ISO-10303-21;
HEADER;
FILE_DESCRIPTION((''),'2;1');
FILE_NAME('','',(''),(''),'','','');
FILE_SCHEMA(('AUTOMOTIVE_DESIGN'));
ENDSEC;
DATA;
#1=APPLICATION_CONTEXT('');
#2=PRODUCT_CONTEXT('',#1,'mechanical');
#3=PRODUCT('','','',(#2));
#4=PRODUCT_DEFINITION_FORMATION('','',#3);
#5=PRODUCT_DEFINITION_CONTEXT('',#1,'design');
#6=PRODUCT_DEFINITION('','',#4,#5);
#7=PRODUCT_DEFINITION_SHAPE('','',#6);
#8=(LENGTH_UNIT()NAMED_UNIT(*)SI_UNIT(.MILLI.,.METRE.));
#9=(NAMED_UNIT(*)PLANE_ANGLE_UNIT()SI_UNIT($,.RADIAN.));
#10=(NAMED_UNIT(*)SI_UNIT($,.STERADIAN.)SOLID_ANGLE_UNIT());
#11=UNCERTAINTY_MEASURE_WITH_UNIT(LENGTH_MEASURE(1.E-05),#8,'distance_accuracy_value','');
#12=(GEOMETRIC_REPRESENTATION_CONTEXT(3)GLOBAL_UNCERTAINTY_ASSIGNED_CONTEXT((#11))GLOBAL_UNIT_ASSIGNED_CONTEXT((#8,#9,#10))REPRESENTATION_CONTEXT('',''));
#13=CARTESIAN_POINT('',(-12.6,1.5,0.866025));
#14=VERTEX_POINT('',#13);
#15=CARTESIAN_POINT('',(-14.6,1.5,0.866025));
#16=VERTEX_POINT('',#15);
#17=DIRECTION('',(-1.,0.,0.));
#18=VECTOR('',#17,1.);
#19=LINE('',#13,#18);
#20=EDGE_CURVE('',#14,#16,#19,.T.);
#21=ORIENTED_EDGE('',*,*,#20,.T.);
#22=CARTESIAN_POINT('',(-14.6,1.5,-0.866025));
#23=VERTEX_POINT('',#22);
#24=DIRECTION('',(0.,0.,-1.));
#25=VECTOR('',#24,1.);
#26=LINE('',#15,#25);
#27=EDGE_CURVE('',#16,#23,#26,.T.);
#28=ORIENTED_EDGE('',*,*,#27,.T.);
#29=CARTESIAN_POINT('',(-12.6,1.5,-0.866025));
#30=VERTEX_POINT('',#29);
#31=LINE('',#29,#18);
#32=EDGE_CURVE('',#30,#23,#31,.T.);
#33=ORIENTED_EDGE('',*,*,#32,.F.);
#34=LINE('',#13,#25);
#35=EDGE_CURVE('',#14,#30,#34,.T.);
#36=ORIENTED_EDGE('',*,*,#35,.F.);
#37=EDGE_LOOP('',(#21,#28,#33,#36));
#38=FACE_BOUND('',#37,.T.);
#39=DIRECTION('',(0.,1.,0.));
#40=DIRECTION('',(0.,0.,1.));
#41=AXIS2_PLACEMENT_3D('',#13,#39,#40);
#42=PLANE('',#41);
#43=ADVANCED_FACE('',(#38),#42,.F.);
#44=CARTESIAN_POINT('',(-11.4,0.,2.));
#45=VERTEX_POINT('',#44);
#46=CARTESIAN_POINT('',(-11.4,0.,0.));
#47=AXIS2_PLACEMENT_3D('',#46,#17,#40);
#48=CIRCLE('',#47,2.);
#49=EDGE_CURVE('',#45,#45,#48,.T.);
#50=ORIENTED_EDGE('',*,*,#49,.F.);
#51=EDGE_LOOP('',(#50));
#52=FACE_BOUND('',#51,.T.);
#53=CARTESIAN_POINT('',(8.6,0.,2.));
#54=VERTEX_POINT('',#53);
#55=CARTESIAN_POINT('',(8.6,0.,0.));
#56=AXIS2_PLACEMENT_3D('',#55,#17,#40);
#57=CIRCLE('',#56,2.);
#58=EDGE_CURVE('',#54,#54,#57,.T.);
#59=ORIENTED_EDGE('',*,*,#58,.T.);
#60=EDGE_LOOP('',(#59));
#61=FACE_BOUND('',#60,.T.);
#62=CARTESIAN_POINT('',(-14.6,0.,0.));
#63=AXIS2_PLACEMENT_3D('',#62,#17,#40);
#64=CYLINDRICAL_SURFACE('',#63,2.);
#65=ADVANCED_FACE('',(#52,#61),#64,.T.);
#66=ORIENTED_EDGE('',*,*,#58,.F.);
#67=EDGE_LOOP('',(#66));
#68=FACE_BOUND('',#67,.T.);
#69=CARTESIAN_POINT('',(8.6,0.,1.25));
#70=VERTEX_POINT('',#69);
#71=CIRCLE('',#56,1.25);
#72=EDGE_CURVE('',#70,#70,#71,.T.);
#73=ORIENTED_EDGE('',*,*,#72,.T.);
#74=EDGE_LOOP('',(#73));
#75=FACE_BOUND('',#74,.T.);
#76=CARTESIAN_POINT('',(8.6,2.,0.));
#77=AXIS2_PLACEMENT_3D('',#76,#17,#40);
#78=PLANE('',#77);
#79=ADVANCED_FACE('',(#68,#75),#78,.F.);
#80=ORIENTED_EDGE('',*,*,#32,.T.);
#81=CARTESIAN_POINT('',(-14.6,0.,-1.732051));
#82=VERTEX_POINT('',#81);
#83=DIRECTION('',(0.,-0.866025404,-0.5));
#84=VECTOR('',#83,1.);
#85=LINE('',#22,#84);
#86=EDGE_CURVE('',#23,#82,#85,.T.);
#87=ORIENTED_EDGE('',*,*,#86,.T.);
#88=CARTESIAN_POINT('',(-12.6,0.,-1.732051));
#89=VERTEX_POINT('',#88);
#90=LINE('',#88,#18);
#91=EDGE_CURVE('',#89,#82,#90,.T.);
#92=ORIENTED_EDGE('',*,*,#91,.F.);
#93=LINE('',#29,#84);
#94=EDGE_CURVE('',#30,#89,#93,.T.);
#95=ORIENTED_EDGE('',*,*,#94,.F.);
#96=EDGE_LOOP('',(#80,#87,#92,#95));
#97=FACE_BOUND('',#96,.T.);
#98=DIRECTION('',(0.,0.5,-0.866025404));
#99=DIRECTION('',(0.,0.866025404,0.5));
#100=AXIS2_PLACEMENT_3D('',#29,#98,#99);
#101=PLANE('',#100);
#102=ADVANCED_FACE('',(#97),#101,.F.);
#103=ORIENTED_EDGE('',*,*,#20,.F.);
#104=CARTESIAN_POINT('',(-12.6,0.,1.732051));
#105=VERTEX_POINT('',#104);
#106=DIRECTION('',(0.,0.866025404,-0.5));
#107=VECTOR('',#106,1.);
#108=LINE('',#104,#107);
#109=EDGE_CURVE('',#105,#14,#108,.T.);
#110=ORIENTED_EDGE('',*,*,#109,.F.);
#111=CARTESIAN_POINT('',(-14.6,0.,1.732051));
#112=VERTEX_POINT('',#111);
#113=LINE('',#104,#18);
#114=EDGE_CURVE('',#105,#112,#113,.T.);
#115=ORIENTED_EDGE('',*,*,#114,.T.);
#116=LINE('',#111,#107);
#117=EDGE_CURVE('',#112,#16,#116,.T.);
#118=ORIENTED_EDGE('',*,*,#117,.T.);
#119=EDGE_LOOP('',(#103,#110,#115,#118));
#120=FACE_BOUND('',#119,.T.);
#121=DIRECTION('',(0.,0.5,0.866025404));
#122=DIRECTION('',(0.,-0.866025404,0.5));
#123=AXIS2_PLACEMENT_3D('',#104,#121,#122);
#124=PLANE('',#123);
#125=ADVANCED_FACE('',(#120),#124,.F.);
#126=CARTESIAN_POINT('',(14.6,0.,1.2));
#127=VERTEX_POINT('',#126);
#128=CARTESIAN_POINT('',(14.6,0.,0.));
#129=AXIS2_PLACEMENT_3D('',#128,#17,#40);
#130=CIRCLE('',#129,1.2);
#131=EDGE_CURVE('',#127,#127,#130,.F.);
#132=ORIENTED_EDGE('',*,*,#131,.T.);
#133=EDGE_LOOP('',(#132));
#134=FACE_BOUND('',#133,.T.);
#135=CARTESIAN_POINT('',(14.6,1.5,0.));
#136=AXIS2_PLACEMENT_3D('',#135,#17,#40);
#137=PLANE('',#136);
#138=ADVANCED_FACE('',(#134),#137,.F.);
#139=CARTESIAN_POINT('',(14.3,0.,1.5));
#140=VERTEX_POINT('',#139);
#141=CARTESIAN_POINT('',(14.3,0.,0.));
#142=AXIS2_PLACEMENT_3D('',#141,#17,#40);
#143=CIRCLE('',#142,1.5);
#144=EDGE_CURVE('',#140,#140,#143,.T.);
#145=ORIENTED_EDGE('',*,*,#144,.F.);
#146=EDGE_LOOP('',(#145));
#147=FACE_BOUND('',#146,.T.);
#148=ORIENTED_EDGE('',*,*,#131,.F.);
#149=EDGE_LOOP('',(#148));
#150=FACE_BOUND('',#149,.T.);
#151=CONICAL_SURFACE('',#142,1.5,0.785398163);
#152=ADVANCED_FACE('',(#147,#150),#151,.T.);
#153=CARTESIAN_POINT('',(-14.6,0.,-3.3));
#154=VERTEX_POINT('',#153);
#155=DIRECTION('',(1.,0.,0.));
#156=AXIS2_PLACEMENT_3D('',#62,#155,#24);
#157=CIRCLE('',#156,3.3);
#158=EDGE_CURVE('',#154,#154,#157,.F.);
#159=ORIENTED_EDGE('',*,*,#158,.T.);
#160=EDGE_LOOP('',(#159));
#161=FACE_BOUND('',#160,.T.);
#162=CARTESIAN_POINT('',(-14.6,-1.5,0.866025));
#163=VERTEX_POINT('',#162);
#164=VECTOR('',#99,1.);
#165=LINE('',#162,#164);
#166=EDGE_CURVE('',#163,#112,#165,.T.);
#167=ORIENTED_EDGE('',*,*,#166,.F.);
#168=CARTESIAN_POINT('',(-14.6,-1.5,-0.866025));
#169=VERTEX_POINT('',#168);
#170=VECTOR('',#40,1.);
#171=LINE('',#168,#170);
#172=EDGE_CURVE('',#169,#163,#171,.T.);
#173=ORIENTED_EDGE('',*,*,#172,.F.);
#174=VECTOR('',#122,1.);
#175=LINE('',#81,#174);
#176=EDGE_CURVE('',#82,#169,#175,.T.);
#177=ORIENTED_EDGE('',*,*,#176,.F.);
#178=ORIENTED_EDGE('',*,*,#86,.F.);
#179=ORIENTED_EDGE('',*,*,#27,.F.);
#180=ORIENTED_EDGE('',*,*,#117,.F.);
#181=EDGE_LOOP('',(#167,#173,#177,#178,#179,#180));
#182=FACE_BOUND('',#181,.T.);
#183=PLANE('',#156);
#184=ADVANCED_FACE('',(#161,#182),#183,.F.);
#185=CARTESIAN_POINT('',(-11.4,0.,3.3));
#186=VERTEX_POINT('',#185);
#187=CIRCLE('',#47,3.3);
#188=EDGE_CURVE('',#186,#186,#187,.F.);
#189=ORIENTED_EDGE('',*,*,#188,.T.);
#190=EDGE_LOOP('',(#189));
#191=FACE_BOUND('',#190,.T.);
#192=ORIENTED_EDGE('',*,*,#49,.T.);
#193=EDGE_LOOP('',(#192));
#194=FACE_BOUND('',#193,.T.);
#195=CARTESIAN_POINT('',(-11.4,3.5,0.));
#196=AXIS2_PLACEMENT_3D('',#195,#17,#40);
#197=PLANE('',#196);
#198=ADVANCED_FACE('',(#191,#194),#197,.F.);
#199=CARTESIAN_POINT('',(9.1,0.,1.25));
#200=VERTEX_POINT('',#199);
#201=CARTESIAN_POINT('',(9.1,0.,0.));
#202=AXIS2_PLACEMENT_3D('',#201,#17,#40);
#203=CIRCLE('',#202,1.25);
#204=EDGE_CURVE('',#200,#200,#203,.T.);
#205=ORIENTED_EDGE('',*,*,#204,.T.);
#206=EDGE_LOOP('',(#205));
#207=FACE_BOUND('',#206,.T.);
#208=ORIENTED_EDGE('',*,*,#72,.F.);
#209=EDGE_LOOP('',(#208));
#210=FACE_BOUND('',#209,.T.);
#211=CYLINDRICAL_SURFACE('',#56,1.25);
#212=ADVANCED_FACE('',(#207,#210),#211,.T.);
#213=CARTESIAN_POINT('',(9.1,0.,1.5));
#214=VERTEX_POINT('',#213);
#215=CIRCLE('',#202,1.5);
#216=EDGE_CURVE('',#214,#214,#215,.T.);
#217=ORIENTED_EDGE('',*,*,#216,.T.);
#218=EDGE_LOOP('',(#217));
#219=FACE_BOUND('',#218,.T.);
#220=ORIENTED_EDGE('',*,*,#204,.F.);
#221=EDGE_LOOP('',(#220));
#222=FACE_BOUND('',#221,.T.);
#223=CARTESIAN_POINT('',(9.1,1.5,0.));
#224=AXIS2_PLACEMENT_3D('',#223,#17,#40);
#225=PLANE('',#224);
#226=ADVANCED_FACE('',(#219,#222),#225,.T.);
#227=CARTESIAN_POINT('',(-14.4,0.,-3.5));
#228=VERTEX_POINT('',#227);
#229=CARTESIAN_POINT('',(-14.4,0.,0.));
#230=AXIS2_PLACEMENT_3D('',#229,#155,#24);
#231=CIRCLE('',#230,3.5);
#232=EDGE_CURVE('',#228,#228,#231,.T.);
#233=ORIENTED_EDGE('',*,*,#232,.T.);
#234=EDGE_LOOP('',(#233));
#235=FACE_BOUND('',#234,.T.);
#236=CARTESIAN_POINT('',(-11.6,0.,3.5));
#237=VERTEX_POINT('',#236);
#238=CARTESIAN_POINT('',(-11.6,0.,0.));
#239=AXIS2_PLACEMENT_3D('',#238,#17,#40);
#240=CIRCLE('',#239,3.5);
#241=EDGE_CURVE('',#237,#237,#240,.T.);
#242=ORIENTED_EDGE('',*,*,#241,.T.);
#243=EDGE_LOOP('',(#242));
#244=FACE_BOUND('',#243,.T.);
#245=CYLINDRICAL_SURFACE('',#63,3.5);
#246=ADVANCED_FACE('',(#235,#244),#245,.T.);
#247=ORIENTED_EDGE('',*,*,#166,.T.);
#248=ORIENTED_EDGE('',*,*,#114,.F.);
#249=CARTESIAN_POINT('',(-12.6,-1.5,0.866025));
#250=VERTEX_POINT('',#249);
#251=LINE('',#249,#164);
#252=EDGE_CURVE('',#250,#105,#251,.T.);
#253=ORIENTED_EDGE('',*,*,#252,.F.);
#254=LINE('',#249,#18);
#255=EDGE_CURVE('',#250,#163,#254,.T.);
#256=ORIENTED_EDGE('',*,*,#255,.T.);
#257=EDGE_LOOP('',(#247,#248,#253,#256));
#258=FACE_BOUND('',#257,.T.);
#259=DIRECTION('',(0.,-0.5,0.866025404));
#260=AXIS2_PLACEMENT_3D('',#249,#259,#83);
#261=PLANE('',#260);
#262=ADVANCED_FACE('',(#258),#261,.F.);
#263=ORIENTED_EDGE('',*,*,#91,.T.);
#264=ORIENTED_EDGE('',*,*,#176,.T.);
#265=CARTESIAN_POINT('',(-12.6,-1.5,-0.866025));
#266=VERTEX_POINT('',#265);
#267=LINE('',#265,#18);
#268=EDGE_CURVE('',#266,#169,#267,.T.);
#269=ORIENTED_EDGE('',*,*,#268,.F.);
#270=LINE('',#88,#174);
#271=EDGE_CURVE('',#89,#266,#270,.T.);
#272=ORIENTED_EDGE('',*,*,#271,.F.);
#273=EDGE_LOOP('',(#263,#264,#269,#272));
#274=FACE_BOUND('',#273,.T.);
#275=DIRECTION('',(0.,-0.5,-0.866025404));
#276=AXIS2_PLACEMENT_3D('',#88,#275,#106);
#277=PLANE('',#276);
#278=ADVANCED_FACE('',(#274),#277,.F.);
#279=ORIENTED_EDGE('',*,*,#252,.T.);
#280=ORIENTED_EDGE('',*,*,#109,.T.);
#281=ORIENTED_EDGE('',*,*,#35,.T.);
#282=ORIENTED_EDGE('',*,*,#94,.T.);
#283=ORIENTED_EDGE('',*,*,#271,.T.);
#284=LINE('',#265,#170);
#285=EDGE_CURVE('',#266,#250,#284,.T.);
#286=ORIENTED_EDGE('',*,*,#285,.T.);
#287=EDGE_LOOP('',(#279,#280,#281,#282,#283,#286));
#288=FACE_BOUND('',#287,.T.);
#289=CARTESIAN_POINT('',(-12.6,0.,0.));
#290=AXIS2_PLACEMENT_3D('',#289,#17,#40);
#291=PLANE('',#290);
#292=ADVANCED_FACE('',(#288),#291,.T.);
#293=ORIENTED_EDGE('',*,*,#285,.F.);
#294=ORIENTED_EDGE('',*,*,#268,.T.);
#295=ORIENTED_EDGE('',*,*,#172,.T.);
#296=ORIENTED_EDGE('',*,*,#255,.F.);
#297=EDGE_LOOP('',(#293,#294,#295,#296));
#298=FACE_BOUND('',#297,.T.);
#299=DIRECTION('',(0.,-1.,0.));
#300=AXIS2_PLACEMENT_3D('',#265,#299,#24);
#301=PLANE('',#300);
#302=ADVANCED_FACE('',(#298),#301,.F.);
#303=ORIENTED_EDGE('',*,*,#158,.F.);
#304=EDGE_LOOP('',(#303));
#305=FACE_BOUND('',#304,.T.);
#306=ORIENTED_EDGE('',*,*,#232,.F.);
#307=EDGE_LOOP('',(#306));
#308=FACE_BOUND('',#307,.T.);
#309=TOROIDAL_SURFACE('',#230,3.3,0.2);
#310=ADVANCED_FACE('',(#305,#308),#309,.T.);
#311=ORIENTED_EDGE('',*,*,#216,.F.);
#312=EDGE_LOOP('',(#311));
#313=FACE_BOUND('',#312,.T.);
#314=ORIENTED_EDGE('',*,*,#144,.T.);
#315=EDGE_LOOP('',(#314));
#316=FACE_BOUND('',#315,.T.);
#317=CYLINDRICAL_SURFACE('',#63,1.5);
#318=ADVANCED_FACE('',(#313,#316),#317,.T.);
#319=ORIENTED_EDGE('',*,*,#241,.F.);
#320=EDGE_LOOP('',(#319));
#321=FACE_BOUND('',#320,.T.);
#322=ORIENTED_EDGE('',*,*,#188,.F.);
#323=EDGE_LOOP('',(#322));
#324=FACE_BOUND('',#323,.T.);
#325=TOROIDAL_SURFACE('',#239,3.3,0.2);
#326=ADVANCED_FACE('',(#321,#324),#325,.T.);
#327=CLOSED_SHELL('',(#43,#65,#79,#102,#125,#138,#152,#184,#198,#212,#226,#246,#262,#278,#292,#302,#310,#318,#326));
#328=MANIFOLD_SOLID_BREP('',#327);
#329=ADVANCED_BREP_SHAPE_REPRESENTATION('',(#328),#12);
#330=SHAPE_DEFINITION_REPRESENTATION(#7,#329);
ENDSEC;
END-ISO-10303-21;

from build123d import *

# Parameters (mm, degrees)
FILLET_1_R          = 0.2
CHAMFER_1_SIZE      = 0.3
SKETCH_3_W          = 0.5
SKETCH_3_H          = 0.25
CUT_EXTRUDE_1_DEPTH = 2


with BuildPart() as part:
    # 草图1 → 旋转1 (revolve)
    with BuildSketch(Plane.XY, mode=Mode.PRIVATE) as revolve_1_sk:
        Polygon((-14.6, 0), (-14.6, 3.5), (-11.4, 3.5), (-11.4, 2), (8.6, 2), (8.6, 1.5), (14.6, 1.5), (14.6, 0), align=None)
    revolve(revolve_1_sk.sketch.rotate(Axis((-14.6, 0, 0), (1, 0, 0)), 90), axis=Axis((-14.6, 0, 0), (1, 0, 0)))

    # 圆角1
    fillet_1_edges = [part.edges().sort_by_distance(p)[0] for p in [
        (-11.4, 0, -3.5),
        (-14.6, 0, -3.5),
    ]]
    fillet(fillet_1_edges, radius=FILLET_1_R)

    # 倒角1
    chamfer_1_edges = [part.edges().sort_by_distance(p)[0] for p in [
        (14.6, 0, -1.5),
    ]]
    chamfer(chamfer_1_edges, length=CHAMFER_1_SIZE)

    # 草图3 → 切除-旋转1 (revolve, cut)
    with BuildSketch(Plane.XY, mode=Mode.PRIVATE) as cut_revolve_1_sk:
        with Locations((8.85, 1.375)):
            Rectangle(SKETCH_3_W, SKETCH_3_H)
    revolve(cut_revolve_1_sk.sketch.rotate(Axis((8.6, 0, 0), (1, 0, 0)), 90), axis=Axis((8.6, 0, 0), (1, 0, 0)), mode=Mode.SUBTRACT)

    # 草图4 → 切除-拉伸1 (cut)
    with BuildSketch(Plane.ZY.offset(14.6)):
        Polygon((1.732050808, 0), (0.866025404, 1.5), (-0.866025404, 1.5), (-1.732050808, 0), (-0.866025404, -1.5), (0.866025404, -1.5), align=None)
    extrude(amount=-CUT_EXTRUDE_1_DEPTH, mode=Mode.SUBTRACT)


solid = part.part
